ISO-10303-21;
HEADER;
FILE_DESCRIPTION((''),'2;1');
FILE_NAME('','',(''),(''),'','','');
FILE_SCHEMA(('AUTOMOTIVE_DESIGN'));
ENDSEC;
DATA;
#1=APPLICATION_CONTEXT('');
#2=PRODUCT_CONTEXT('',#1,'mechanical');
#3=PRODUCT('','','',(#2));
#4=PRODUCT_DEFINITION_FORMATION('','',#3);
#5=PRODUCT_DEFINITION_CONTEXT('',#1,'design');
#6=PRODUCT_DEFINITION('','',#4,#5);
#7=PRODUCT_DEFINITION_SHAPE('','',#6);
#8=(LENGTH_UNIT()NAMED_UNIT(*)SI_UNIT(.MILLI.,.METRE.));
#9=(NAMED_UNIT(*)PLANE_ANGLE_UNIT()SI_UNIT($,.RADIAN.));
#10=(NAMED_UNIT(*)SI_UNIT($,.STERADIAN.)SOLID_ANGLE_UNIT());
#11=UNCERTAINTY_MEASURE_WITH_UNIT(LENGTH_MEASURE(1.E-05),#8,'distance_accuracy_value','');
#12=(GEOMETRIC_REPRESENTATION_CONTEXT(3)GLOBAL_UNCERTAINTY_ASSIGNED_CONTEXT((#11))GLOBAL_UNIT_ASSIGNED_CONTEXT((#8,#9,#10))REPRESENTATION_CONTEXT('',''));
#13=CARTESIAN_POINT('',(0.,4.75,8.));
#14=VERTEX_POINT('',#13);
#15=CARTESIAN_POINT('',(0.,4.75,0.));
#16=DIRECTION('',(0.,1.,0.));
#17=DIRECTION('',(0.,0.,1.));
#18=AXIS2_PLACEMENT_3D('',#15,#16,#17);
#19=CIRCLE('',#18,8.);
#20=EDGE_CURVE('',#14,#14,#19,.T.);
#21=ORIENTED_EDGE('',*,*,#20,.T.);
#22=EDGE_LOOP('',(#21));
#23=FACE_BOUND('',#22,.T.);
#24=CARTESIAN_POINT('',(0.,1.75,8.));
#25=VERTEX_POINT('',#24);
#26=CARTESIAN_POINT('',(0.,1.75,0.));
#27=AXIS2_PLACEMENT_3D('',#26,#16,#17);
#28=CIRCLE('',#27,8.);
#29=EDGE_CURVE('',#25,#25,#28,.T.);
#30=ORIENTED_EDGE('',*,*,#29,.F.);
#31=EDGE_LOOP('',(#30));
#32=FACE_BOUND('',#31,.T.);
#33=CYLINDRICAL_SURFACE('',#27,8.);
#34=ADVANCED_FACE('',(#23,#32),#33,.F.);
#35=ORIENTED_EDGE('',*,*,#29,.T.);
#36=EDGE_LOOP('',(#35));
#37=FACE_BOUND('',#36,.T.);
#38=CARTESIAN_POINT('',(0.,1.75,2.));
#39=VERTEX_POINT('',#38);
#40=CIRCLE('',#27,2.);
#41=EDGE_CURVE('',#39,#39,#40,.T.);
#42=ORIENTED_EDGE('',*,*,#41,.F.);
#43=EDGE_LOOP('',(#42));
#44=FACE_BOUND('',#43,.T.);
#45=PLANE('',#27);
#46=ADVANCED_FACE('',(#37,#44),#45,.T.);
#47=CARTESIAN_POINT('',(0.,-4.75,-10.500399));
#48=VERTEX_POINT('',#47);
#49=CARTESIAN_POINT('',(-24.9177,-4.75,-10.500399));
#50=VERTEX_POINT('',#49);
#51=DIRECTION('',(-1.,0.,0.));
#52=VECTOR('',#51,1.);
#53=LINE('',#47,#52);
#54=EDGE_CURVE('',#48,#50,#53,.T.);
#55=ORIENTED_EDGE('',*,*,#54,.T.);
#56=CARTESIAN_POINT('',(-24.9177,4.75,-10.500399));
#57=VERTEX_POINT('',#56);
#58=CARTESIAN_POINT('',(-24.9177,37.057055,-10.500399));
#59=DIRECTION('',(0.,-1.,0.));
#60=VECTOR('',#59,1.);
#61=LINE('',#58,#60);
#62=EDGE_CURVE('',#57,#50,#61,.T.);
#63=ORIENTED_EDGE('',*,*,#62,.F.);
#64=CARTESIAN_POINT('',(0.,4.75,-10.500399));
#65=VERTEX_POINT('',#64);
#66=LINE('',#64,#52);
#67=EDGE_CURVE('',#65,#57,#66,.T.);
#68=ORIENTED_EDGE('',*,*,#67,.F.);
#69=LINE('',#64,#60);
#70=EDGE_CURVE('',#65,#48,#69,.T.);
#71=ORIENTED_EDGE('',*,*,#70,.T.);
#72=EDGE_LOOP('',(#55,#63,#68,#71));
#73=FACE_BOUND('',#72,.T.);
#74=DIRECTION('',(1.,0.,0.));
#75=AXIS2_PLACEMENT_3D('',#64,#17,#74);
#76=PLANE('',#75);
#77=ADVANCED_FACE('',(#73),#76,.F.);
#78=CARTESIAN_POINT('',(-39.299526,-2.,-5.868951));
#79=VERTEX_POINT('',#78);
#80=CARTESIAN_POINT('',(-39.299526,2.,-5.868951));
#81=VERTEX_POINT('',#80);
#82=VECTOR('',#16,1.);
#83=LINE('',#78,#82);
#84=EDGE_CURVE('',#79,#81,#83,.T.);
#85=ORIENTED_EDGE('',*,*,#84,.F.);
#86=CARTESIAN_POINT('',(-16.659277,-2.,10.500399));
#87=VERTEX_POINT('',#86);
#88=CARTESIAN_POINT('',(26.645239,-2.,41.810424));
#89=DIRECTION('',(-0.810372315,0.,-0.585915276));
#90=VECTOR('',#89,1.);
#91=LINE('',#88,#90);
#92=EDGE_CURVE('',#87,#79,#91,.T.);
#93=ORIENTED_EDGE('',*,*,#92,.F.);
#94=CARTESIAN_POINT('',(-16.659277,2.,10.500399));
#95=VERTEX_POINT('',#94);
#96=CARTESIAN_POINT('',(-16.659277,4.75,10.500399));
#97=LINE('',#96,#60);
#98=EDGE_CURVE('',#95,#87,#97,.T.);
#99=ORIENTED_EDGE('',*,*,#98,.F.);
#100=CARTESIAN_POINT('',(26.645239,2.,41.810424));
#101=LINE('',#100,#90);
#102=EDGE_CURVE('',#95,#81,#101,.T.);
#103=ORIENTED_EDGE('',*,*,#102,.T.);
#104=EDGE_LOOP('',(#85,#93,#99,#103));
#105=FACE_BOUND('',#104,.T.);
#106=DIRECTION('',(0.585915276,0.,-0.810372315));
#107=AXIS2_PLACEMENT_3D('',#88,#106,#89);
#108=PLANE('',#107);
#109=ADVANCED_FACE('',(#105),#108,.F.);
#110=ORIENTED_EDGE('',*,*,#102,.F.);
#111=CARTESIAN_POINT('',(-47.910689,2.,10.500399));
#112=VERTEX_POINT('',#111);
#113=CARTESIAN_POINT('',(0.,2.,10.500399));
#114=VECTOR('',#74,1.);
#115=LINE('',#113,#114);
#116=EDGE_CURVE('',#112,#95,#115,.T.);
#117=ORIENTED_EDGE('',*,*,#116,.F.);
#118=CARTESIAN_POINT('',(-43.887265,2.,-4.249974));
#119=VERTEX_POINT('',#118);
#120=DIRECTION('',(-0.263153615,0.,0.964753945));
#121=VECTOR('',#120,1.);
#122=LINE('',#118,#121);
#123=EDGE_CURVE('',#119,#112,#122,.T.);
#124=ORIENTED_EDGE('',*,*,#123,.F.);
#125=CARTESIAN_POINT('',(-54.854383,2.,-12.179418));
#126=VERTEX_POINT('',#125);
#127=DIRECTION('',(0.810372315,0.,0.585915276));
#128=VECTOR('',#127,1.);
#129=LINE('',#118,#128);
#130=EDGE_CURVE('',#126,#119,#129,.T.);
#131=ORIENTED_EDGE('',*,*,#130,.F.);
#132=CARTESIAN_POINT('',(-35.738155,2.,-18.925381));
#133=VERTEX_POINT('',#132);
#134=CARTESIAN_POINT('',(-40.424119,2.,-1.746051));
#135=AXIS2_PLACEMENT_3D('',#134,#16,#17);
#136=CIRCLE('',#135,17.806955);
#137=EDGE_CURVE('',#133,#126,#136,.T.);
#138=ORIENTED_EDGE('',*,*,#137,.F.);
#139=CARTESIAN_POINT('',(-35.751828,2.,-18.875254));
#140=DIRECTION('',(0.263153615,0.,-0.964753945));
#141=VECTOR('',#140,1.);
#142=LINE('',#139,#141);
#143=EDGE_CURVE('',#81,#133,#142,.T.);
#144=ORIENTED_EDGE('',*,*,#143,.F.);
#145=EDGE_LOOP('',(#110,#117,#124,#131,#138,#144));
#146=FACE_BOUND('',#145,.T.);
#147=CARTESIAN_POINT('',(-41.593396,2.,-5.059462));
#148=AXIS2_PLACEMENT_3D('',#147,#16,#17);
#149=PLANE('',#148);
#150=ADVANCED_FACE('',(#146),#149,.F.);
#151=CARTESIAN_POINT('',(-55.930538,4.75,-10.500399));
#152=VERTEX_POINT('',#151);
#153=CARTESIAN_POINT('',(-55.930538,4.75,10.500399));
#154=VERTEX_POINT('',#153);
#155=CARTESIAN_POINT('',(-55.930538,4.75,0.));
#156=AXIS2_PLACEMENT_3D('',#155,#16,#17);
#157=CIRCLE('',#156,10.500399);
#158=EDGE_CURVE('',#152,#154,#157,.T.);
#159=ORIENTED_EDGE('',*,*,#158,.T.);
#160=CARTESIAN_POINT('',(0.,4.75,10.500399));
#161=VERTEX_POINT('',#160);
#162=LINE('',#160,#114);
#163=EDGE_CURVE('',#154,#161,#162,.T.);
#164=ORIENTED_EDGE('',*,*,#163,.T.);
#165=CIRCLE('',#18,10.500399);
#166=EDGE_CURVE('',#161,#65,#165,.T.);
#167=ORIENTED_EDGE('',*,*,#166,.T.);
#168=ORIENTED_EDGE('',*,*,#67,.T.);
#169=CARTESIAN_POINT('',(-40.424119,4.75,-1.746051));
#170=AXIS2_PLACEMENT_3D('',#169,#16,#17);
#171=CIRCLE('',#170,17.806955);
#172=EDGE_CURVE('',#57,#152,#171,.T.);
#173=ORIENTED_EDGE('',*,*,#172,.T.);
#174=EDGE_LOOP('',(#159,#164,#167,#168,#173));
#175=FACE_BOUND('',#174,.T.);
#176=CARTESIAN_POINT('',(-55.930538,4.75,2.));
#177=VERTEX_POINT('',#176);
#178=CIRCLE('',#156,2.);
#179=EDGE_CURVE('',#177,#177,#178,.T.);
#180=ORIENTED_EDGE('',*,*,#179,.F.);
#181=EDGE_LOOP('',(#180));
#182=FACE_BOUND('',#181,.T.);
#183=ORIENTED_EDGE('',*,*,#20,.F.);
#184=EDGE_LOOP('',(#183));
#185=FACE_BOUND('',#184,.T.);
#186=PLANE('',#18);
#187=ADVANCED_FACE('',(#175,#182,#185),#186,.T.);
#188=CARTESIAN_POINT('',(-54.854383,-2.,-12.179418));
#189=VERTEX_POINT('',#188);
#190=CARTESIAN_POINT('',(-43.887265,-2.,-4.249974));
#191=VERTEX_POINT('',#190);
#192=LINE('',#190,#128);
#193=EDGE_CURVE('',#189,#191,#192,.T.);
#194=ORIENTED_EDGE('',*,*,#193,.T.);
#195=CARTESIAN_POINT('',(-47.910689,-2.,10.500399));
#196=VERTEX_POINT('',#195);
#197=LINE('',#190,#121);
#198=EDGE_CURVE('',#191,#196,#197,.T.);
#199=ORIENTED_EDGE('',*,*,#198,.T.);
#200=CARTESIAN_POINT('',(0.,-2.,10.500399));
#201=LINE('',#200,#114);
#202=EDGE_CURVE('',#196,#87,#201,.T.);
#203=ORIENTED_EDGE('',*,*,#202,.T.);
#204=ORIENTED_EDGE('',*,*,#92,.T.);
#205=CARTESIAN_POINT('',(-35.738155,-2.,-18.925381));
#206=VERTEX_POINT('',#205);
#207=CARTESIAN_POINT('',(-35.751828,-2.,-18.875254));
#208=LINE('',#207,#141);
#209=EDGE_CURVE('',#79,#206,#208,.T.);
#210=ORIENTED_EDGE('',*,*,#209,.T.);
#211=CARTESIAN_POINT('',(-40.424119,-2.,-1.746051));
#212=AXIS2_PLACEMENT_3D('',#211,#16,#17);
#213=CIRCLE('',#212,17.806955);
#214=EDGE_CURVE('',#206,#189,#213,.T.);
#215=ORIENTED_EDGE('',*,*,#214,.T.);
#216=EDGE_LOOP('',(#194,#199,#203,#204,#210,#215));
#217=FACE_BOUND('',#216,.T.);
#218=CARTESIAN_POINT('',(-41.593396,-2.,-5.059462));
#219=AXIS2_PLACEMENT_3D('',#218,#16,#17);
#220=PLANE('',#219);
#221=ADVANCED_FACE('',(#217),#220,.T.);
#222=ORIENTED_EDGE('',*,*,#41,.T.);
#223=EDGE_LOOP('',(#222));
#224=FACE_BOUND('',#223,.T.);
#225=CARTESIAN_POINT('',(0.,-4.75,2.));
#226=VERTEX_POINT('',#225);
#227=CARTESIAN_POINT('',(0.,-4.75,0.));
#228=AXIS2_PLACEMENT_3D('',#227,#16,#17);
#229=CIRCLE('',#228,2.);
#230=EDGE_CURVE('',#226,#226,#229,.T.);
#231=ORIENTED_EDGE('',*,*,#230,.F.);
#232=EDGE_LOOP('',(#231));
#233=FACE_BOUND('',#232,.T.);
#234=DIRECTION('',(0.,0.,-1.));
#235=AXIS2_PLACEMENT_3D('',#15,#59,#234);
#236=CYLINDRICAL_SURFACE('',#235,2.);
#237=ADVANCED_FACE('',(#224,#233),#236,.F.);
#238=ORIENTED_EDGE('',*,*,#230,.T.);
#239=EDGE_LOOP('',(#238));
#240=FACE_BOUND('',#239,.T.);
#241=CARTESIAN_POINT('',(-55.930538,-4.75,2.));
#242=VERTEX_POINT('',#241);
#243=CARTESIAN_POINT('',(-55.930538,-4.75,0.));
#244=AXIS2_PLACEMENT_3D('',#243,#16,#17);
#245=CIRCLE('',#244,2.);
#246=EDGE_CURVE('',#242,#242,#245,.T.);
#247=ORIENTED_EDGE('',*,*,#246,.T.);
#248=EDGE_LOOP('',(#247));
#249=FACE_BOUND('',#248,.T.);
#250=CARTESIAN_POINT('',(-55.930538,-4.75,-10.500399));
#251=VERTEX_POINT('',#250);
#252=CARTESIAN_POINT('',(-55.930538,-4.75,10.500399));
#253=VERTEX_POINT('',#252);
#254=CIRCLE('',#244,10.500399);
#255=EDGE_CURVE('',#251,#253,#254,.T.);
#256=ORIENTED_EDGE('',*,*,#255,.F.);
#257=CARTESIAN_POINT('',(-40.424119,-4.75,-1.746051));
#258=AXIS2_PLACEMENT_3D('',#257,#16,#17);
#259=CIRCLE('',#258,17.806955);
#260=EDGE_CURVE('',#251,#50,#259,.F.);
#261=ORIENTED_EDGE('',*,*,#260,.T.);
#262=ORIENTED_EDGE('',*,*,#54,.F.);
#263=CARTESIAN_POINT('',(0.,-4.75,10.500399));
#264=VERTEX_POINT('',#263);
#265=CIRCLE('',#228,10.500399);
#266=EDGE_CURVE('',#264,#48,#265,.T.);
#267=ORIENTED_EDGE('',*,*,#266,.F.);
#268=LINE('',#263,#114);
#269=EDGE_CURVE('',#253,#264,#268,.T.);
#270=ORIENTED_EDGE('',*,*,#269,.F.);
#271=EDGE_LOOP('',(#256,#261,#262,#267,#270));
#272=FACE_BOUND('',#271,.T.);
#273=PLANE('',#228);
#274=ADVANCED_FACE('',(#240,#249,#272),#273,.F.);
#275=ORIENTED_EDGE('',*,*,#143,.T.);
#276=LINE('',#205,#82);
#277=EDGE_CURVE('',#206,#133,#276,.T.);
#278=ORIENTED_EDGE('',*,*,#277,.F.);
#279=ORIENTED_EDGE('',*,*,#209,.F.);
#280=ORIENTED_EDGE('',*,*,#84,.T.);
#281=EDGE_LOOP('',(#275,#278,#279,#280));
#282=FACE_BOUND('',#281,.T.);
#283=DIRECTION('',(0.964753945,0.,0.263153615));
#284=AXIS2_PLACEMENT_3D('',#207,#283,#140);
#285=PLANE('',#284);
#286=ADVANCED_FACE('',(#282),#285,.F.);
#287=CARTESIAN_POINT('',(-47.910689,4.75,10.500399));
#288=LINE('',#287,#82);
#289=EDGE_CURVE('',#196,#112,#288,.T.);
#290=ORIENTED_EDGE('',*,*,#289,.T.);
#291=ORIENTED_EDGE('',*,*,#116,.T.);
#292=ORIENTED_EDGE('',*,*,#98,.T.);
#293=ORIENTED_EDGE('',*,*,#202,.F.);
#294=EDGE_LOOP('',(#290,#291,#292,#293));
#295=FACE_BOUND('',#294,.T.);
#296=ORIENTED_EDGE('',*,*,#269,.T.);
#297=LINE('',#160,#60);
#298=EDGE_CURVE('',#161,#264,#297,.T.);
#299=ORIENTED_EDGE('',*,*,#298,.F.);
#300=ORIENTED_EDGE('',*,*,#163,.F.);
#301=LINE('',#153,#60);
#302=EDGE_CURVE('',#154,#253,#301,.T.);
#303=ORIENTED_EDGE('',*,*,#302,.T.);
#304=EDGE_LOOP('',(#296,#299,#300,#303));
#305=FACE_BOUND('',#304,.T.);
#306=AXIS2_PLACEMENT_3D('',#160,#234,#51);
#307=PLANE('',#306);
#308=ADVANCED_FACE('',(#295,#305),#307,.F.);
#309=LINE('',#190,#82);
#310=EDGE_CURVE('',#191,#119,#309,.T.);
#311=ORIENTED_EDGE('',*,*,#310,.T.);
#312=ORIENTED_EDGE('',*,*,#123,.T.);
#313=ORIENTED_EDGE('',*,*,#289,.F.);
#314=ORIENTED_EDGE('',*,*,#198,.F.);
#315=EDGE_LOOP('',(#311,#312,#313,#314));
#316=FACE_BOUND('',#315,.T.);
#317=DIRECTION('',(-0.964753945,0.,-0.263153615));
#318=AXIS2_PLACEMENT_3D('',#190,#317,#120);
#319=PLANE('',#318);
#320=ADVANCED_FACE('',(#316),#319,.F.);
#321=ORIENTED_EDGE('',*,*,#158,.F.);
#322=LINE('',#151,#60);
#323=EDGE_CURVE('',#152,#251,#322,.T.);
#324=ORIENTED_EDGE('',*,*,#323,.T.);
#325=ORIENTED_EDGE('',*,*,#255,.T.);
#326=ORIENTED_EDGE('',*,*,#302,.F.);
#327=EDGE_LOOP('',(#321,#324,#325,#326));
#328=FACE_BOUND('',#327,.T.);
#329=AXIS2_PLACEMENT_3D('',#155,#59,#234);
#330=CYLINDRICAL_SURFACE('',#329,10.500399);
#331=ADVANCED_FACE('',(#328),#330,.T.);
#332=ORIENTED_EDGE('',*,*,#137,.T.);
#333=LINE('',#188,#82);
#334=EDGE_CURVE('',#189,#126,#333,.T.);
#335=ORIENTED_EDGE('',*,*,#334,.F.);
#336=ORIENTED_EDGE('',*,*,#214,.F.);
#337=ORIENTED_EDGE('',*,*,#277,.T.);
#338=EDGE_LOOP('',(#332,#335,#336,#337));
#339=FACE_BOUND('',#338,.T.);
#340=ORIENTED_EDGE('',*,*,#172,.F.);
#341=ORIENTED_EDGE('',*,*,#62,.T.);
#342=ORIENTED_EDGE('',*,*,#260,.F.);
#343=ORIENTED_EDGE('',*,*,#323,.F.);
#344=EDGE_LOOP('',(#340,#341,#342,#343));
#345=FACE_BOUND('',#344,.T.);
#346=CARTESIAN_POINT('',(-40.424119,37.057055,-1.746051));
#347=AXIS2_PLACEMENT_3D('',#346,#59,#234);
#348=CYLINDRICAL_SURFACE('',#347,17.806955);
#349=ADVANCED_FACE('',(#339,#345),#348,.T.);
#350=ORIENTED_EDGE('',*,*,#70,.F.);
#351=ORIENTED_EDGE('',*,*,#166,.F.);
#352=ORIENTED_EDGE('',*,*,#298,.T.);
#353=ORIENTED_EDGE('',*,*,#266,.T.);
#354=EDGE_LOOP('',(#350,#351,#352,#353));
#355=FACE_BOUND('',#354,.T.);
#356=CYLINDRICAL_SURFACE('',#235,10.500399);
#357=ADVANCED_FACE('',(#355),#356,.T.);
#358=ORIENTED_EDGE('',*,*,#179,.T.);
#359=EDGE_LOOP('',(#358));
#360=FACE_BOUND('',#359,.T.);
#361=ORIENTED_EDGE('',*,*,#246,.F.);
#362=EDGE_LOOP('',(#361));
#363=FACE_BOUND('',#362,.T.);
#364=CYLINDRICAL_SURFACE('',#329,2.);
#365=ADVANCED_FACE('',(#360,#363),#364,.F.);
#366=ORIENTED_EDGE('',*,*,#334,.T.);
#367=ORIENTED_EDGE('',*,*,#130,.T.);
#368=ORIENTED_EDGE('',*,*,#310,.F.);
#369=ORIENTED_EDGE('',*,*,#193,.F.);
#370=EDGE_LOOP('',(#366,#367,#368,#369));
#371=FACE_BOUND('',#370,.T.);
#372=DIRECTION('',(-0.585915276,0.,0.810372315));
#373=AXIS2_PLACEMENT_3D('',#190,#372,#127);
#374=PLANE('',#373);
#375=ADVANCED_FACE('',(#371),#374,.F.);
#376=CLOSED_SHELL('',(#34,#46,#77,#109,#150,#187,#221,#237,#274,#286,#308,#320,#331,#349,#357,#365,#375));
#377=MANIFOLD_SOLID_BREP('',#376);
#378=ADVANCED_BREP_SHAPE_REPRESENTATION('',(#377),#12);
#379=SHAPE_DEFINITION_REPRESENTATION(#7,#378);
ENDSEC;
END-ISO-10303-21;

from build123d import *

# Parameters (mm, degrees)
SKETCH1_R                       = 2
BOSS_EXTRUDE1_DEPTH             = 4.75
CUT_EXTRUDE1_DEPTH              = 2
BOSS_EXTRUDE2_REACH             = 69.423
BOSS_EXTRUDE2_DIRECTION_2_REACH = 69.423
CUT_EXTRUDE2_DEPTH              = 2
SKETCH7_R                       = 8
CUT_EXTRUDE3_DEPTH              = 3


with BuildPart() as part:
    # Sketch1 → Boss-Extrude1 (new, symmetric)
    with BuildSketch(Plane(origin=(0, 0, 0), x_dir=(1, 0, 0), z_dir=(0, 1, 0))):
        with BuildLine():
            Line((0, -10.500399217), (-55.93053828, -10.500399217))
            ThreePointArc((-55.93053828, -10.500399217), (-66.430937497, 0), (-55.93053828, 10.500399217))
            Line((-55.93053828, 10.500399217), (0, 10.500399217))
            ThreePointArc((0, 10.500399217), (10.500399217, 0), (0, -10.500399217))
        make_face()
        with Locations(Location((0, 0, 0), (0, 0, 270))):
            Circle(SKETCH1_R, mode=Mode.SUBTRACT)
        with Locations(Location((-55.93053828, 0, 0), (0, 0, 270))):
            Circle(SKETCH1_R, mode=Mode.SUBTRACT)
    extrude(amount=BOSS_EXTRUDE1_DEPTH, both=True)

    # Sketch3 → Cut-Extrude1 (cut, symmetric)
    with BuildSketch(Plane(origin=(0, 0, 0), x_dir=(1, 0, 0), z_dir=(0, 1, 0))):
        with BuildLine():
            Line((-35.751827911, 18.875253657), (-39.299525946, 5.868950542))
            Line((-39.299525946, 5.868950542), (26.645239155, -41.810424095))
            ThreePointArc((26.645239155, -41.810424095), (-18.563858299, -45.972421055), (-48.206523525, -11.584965354))
            Line((-48.206523525, -11.584965354), (-43.887265107, 4.249974277))
            Line((-43.887265107, 4.249974277), (-54.812276631, 12.148974547))
            ThreePointArc((-54.812276631, 12.148974547), (-46.585078234, 19.204535889), (-35.751827911, 18.875253657))
        make_face()
    extrude(amount=CUT_EXTRUDE1_DEPTH, both=True, mode=Mode.SUBTRACT)

    # Boss-Extrude2: up to this face of the body (flat: up to its plane)
    boss_extrude2_end = Plane(part.part.faces().sort_by_distance((-27.96526914, 4.75, 0))[0])
    # Sketch5 → Boss-Extrude2 (add, up to the picked face)
    with BuildSketch(Plane(origin=(0, 0, 0), x_dir=(1, 0, 0), z_dir=(0, 1, 0)), mode=Mode.PRIVATE) as boss_extrude2_sk1:
        with BuildLine():
            ThreePointArc((-24.917700351, 10.500399217), (-40.424119316, 19.553005923), (-55.93053828, 10.500399217))
            Line((-55.93053828, 10.500399217), (-24.917700351, 10.500399217))
        make_face()
    boss_extrude2_tool1 = split(extrude(boss_extrude2_sk1.sketch, amount=BOSS_EXTRUDE2_REACH, mode=Mode.PRIVATE), bisect_by=boss_extrude2_end, keep=Keep.BOTH, mode=Mode.PRIVATE)
    add(boss_extrude2_tool1.solids().sort_by(Axis((-40.424119, 0, -14.214125), (0, 1, 0)))[0])

    # Boss-Extrude2 direction 2: up to this face of the body (flat: up to its plane)
    boss_extrude2_direction_2_end = Plane(part.part.faces().sort_by_distance((-27.96526914, -4.75, 0))[0])
    # Sketch5 → Boss-Extrude2 direction 2 (add, up to the picked face)
    with BuildSketch(Plane(origin=(0, 0, 0), x_dir=(1, 0, 0), z_dir=(0, 1, 0)), mode=Mode.PRIVATE) as boss_extrude2_direction_2_sk1:
        with BuildLine():
            ThreePointArc((-24.917700351, 10.500399217), (-40.424119316, 19.553005923), (-55.93053828, 10.500399217))
            Line((-55.93053828, 10.500399217), (-24.917700351, 10.500399217))
        make_face()
    boss_extrude2_direction_2_tool1 = split(extrude(boss_extrude2_direction_2_sk1.sketch, amount=-BOSS_EXTRUDE2_DIRECTION_2_REACH, mode=Mode.PRIVATE), bisect_by=boss_extrude2_direction_2_end, keep=Keep.BOTH, mode=Mode.PRIVATE)
    add(boss_extrude2_direction_2_tool1.solids().sort_by(Axis((-40.424119, 0, -14.214125), (0, -1, 0)))[0])

    # Sketch6 → Cut-Extrude2 (cut, symmetric)
    with BuildSketch(Plane(origin=(0, 0, 0), x_dir=(1, 0, 0), z_dir=(0, 1, 0))):
        with BuildLine():
            Line((-39.299525946, 5.868950542), (-16.659276721, -10.500399217))
            Line((-16.659276721, -10.500399217), (-47.910689027, -10.500399217))
            Line((-47.910689027, -10.500399217), (-43.887265107, 4.249974277))
            Line((-43.887265107, 4.249974277), (-54.854382526, 12.179417945))
            ThreePointArc((-54.854382526, 12.179417945), (-46.349897212, 18.538096729), (-35.738154791, 18.925381021))
            Line((-35.738154791, 18.925381021), (-39.299525946, 5.868950542))
        make_face()
    extrude(amount=CUT_EXTRUDE2_DEPTH, both=True, mode=Mode.SUBTRACT)

    # Sketch7 → Cut-Extrude3 (cut)
    with BuildSketch(Plane(origin=(0, 4.75, 0), x_dir=(1, 0, 0), z_dir=(0, 1, 0))):
        with Locations(Location((0, 0, 0), (0, 0, 270))):
            Circle(SKETCH7_R)
    extrude(amount=-CUT_EXTRUDE3_DEPTH, mode=Mode.SUBTRACT)


solid = part.part
